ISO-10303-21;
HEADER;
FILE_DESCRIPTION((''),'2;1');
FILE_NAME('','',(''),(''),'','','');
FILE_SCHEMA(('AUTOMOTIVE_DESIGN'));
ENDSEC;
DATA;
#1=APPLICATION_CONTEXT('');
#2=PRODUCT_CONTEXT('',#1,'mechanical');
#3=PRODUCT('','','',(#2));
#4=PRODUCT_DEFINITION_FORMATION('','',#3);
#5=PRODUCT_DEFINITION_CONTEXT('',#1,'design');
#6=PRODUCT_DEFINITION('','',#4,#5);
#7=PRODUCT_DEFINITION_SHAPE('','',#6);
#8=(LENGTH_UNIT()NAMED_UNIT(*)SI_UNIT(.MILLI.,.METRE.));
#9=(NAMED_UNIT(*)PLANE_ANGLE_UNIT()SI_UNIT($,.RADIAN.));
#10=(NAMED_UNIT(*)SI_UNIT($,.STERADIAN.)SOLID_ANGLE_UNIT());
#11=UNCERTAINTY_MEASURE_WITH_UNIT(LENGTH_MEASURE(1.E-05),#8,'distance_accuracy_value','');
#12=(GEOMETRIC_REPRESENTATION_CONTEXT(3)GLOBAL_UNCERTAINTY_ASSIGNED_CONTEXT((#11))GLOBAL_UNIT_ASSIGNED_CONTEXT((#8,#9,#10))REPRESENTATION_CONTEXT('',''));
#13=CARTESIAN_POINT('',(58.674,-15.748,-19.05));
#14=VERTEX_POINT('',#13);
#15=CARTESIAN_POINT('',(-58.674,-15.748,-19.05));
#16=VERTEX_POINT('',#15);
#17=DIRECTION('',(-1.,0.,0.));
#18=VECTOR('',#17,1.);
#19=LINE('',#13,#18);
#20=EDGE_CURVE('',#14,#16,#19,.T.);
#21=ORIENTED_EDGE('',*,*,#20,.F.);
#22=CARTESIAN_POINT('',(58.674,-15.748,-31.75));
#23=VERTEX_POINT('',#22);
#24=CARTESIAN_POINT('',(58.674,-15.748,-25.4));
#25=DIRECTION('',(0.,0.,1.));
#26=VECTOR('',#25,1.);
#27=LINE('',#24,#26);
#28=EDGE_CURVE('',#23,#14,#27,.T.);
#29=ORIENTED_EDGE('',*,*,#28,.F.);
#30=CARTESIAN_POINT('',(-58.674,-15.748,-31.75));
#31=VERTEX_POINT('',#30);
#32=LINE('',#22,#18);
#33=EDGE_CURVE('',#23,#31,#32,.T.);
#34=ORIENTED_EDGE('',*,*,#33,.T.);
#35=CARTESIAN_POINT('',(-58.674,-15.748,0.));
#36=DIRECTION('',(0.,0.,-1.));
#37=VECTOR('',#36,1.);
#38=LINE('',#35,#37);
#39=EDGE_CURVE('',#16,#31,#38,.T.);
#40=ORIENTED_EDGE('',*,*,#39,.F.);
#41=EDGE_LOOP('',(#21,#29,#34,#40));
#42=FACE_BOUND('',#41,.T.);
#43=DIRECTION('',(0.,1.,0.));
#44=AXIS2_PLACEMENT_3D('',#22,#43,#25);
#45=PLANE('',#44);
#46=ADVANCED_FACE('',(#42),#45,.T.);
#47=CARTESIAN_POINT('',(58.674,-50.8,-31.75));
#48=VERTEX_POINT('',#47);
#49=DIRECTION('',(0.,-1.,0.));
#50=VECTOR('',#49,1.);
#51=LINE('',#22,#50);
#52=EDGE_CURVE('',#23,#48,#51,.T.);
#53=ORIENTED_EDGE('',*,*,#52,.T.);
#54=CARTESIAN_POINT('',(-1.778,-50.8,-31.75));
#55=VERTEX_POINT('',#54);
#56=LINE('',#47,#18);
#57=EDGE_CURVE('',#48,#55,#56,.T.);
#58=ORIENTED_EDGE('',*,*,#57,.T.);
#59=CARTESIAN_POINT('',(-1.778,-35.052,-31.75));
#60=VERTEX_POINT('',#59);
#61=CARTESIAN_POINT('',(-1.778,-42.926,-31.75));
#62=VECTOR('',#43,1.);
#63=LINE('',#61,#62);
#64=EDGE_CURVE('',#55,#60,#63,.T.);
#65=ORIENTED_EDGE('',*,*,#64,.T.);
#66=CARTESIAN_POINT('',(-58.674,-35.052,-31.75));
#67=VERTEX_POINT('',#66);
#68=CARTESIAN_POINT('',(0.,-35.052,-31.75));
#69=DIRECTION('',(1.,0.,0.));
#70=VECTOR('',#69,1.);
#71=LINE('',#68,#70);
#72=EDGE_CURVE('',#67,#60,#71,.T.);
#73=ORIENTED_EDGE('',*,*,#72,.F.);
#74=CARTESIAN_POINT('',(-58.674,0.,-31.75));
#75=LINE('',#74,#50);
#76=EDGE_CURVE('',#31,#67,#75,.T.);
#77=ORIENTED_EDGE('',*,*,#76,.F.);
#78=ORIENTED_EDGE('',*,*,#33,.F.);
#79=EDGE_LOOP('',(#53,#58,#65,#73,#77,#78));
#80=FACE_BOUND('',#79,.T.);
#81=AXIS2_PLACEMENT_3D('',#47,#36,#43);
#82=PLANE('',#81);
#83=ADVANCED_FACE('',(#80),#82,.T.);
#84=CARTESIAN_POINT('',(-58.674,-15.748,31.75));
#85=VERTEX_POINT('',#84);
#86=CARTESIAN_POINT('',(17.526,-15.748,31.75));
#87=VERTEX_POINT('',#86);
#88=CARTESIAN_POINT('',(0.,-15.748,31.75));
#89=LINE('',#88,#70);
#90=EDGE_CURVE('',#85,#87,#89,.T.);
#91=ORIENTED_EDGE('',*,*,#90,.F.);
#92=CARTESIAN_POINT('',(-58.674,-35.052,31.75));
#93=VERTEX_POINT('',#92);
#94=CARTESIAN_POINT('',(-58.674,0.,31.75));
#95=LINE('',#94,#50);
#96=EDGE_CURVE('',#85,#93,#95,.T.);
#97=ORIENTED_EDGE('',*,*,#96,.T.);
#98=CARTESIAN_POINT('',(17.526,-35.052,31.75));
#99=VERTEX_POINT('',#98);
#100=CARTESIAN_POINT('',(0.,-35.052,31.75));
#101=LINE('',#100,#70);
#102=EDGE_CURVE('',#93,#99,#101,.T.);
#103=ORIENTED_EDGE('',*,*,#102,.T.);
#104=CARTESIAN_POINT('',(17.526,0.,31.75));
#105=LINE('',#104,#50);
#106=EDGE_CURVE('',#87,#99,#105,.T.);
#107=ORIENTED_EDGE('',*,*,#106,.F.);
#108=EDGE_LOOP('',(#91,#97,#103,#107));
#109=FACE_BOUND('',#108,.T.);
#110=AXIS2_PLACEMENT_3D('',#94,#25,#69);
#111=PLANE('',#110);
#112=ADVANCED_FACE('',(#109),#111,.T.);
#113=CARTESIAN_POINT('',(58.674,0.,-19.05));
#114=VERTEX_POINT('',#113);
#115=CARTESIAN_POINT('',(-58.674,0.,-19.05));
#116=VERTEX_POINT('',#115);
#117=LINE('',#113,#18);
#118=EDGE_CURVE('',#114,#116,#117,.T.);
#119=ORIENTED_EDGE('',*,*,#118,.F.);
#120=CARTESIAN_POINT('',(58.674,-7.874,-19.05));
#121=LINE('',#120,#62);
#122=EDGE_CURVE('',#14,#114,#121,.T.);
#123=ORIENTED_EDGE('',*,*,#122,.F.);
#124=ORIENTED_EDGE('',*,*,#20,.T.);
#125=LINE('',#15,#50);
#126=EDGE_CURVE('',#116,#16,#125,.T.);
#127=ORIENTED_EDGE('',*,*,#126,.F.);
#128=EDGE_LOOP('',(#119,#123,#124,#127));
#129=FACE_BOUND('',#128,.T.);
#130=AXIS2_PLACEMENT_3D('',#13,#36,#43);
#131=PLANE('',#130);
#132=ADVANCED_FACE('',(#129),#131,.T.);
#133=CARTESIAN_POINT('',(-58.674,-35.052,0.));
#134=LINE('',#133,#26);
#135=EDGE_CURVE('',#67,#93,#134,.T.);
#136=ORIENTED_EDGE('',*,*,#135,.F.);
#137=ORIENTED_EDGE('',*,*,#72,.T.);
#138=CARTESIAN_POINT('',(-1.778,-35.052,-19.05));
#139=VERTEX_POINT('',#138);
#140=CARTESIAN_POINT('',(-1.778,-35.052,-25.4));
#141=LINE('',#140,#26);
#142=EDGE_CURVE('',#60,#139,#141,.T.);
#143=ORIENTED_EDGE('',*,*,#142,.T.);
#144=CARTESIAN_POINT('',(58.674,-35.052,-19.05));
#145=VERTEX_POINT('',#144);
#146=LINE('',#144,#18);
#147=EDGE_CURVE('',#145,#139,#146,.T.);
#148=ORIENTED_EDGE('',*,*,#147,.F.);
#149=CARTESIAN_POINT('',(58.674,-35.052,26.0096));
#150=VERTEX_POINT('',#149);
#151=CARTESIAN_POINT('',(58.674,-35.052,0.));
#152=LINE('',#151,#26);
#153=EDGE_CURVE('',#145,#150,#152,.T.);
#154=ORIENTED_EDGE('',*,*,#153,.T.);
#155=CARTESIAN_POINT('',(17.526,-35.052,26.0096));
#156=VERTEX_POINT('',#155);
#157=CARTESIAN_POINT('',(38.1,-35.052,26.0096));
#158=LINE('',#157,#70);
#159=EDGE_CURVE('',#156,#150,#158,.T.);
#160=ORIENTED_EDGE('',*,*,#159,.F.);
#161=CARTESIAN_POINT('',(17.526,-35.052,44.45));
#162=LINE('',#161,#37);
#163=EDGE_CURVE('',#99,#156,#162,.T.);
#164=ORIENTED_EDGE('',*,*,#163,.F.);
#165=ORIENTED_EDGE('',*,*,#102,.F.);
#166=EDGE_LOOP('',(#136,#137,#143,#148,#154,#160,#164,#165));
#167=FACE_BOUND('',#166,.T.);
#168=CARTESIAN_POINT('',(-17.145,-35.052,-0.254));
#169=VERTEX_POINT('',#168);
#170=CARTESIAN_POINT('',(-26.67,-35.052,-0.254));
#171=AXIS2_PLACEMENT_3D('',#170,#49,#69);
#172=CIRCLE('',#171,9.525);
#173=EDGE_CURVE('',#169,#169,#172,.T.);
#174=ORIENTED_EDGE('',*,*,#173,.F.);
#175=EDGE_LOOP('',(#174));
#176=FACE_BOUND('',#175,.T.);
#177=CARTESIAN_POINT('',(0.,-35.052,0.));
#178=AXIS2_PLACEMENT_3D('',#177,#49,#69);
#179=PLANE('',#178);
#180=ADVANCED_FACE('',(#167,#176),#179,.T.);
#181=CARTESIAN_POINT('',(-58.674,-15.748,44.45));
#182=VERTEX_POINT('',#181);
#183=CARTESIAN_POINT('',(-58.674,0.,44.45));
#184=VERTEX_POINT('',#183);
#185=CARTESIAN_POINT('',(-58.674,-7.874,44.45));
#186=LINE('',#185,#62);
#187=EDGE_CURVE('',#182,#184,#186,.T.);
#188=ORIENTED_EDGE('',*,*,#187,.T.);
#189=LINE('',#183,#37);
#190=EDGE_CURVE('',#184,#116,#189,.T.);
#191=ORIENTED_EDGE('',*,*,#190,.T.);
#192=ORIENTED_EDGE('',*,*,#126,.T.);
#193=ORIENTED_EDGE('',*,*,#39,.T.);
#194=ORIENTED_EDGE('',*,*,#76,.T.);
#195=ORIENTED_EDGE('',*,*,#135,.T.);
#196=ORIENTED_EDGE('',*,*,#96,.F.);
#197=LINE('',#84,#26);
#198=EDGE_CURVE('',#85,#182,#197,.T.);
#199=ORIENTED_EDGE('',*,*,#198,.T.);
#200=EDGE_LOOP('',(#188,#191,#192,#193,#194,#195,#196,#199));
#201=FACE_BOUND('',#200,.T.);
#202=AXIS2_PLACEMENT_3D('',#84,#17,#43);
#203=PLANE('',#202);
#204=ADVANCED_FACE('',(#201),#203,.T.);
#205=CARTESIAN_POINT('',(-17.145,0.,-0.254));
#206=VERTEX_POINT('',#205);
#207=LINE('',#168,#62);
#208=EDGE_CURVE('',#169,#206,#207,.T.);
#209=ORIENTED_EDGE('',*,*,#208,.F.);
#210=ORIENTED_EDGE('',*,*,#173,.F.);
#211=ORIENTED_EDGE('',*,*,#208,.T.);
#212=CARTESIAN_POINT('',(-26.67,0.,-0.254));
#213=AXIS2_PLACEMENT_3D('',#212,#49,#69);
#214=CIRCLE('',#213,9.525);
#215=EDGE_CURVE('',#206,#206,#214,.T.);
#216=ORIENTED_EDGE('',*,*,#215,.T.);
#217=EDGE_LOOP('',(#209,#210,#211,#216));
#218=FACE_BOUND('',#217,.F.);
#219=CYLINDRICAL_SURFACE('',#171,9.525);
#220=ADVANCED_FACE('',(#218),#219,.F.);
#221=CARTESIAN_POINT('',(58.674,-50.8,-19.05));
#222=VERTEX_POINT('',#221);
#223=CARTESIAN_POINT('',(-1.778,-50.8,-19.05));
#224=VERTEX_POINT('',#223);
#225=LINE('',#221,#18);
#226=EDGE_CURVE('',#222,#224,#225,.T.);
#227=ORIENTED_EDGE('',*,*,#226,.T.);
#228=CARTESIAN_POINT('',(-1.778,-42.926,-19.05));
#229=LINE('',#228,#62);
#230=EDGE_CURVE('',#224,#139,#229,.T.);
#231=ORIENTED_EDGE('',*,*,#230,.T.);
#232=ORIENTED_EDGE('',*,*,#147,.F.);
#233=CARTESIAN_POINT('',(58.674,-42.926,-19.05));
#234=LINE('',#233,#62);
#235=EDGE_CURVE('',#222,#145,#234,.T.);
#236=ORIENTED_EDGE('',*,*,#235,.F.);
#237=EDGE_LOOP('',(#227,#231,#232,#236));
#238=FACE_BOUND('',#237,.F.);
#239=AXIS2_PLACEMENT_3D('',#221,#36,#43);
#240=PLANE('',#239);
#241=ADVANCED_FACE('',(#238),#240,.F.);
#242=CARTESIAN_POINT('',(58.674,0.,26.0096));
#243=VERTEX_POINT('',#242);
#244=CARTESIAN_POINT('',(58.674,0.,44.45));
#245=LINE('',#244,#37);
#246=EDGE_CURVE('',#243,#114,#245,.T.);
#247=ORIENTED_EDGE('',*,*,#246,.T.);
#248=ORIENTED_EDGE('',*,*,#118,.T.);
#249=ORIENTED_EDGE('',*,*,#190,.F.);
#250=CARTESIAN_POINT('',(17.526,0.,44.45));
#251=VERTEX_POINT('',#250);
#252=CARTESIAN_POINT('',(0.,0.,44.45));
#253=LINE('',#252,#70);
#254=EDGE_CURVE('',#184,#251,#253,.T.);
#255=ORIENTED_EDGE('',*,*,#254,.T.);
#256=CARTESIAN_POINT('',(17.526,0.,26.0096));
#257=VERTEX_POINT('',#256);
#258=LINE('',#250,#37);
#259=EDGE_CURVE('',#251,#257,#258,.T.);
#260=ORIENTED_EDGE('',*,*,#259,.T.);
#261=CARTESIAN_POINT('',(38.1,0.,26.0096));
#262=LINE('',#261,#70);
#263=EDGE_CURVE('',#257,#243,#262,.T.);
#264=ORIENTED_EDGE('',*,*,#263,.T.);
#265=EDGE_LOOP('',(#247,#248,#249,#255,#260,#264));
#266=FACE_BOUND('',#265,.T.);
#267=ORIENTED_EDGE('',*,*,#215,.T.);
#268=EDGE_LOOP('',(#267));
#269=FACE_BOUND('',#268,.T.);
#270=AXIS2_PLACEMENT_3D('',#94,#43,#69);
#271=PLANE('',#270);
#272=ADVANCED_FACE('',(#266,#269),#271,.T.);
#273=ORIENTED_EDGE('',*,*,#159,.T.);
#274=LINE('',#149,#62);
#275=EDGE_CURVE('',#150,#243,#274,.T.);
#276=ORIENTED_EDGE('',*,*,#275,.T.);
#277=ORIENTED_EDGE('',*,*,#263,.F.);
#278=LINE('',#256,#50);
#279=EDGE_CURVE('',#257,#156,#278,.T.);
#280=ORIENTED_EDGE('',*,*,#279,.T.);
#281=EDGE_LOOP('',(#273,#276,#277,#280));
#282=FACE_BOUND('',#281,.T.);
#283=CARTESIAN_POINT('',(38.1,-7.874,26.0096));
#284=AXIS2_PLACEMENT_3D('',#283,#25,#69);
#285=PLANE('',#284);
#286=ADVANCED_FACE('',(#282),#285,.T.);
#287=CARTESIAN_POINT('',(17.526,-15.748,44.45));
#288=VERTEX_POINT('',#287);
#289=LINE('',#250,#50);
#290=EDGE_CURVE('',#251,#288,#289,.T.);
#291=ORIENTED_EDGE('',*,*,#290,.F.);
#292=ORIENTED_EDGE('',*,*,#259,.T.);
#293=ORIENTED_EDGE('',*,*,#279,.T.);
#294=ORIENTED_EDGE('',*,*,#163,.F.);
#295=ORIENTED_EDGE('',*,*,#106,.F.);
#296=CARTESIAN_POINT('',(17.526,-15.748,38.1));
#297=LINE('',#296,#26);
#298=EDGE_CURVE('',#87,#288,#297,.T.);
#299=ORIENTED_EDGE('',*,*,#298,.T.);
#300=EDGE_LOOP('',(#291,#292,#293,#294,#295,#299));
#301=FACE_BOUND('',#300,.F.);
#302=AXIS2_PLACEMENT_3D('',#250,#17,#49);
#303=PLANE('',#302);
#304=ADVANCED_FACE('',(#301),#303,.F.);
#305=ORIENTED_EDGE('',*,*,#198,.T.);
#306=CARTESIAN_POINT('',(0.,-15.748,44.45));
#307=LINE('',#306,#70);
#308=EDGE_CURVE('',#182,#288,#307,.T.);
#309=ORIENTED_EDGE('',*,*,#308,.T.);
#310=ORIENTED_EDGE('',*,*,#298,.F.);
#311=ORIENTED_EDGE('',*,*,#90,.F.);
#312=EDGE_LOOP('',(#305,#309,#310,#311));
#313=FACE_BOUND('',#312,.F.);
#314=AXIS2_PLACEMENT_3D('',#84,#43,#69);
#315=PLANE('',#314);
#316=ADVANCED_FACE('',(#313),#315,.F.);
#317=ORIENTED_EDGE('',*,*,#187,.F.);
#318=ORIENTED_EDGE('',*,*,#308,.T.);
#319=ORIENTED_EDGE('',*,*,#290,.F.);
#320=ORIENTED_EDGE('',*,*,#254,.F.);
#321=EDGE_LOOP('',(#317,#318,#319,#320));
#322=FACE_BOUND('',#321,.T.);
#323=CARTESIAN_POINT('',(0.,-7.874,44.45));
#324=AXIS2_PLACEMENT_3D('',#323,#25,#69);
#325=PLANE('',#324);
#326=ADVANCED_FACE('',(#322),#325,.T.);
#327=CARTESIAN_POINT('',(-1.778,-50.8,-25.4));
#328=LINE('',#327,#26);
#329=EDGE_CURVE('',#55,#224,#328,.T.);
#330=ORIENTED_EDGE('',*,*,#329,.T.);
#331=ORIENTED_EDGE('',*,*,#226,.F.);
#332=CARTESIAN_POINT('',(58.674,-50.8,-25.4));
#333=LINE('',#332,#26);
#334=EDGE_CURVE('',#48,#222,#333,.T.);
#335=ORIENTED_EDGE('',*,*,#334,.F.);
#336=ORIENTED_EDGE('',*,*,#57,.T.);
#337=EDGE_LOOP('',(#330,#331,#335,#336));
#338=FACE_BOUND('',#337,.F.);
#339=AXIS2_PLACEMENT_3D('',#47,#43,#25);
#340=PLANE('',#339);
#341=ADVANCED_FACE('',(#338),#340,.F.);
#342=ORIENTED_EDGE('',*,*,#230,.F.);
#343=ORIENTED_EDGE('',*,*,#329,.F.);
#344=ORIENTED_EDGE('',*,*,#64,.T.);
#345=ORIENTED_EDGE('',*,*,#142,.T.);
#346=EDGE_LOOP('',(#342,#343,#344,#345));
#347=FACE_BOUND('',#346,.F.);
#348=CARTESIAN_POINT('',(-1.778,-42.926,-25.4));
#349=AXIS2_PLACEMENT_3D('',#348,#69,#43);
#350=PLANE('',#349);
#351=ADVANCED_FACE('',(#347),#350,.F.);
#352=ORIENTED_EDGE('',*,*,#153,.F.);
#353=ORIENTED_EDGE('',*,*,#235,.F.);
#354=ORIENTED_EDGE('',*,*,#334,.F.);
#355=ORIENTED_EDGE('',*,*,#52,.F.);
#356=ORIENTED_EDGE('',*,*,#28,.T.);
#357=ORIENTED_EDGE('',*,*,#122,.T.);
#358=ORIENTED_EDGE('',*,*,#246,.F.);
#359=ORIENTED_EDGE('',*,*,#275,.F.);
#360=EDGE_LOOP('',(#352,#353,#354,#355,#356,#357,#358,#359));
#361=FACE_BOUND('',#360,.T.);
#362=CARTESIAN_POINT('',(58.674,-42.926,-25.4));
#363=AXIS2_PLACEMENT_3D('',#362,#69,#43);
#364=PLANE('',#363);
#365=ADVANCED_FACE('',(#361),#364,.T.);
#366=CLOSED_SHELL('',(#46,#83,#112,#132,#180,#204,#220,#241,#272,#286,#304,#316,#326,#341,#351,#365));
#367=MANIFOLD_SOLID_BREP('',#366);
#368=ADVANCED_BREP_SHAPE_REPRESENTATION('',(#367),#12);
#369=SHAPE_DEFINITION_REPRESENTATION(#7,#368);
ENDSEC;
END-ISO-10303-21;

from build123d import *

# Parameters (mm, degrees)
F0_W      = 117.348
F0_H      = 63.5
F1_DEPTH  = 35.052
F2_W      = 117.348
F2_H      = 15.748
F3_DEPTH  = 12.7
F4_W      = 41.148
F4_H      = 15.748
F4_H_2    = 19.304
F5_DEPTH  = 18.4404
F6_W      = 15.748
F6_H      = 12.7
F7_DEPTH  = 117.349
F8_W      = 15.748
F8_H      = 12.7
F9_DEPTH  = 60.452
F10_R     = 9.525
F11_DEPTH = 35.053


with BuildPart() as f1:
    # F0 (on Front) → F1 (new body)
    with BuildSketch(Plane.XZ):
        Rectangle(F0_W, F0_H)
    extrude(amount=F1_DEPTH)

    # F2 (on face) → F3 (join)
    with BuildSketch(Plane.XY.offset(31.75)):
        with Locations((0, -7.874)):
            Rectangle(F2_W, F2_H)
    extrude(amount=F3_DEPTH)

    # F4 (on face) → F5 (cut)
    with BuildSketch(Plane.XY.offset(44.45)):
        with Locations((38.1, -7.874)):
            Rectangle(F4_W, F4_H)
        with Locations((38.1, -25.4)):
            Rectangle(F4_W, F4_H_2)
    extrude(amount=-F5_DEPTH, mode=Mode.SUBTRACT)

    # F6 (on face) → F7 (cut, through all)
    with BuildSketch(Plane.YZ.offset(58.674)):
        with Locations((-7.874, -25.4)):
            Rectangle(F6_W, F6_H)
    extrude(amount=-F7_DEPTH, mode=Mode.SUBTRACT)

    # F8 (on face) → F9 (join)
    with BuildSketch(Plane.YZ.offset(58.674)):
        with Locations((-42.926, -25.4)):
            Rectangle(F8_W, F8_H)
    extrude(amount=-F9_DEPTH)

    # F10 (on face) → F11 (cut, through all)
    with BuildSketch(Plane.XZ.offset(35.052)):
        with Locations((-26.67, -0.254)):
            Circle(F10_R)
    extrude(amount=-F11_DEPTH, mode=Mode.SUBTRACT)


solid = f1.part
